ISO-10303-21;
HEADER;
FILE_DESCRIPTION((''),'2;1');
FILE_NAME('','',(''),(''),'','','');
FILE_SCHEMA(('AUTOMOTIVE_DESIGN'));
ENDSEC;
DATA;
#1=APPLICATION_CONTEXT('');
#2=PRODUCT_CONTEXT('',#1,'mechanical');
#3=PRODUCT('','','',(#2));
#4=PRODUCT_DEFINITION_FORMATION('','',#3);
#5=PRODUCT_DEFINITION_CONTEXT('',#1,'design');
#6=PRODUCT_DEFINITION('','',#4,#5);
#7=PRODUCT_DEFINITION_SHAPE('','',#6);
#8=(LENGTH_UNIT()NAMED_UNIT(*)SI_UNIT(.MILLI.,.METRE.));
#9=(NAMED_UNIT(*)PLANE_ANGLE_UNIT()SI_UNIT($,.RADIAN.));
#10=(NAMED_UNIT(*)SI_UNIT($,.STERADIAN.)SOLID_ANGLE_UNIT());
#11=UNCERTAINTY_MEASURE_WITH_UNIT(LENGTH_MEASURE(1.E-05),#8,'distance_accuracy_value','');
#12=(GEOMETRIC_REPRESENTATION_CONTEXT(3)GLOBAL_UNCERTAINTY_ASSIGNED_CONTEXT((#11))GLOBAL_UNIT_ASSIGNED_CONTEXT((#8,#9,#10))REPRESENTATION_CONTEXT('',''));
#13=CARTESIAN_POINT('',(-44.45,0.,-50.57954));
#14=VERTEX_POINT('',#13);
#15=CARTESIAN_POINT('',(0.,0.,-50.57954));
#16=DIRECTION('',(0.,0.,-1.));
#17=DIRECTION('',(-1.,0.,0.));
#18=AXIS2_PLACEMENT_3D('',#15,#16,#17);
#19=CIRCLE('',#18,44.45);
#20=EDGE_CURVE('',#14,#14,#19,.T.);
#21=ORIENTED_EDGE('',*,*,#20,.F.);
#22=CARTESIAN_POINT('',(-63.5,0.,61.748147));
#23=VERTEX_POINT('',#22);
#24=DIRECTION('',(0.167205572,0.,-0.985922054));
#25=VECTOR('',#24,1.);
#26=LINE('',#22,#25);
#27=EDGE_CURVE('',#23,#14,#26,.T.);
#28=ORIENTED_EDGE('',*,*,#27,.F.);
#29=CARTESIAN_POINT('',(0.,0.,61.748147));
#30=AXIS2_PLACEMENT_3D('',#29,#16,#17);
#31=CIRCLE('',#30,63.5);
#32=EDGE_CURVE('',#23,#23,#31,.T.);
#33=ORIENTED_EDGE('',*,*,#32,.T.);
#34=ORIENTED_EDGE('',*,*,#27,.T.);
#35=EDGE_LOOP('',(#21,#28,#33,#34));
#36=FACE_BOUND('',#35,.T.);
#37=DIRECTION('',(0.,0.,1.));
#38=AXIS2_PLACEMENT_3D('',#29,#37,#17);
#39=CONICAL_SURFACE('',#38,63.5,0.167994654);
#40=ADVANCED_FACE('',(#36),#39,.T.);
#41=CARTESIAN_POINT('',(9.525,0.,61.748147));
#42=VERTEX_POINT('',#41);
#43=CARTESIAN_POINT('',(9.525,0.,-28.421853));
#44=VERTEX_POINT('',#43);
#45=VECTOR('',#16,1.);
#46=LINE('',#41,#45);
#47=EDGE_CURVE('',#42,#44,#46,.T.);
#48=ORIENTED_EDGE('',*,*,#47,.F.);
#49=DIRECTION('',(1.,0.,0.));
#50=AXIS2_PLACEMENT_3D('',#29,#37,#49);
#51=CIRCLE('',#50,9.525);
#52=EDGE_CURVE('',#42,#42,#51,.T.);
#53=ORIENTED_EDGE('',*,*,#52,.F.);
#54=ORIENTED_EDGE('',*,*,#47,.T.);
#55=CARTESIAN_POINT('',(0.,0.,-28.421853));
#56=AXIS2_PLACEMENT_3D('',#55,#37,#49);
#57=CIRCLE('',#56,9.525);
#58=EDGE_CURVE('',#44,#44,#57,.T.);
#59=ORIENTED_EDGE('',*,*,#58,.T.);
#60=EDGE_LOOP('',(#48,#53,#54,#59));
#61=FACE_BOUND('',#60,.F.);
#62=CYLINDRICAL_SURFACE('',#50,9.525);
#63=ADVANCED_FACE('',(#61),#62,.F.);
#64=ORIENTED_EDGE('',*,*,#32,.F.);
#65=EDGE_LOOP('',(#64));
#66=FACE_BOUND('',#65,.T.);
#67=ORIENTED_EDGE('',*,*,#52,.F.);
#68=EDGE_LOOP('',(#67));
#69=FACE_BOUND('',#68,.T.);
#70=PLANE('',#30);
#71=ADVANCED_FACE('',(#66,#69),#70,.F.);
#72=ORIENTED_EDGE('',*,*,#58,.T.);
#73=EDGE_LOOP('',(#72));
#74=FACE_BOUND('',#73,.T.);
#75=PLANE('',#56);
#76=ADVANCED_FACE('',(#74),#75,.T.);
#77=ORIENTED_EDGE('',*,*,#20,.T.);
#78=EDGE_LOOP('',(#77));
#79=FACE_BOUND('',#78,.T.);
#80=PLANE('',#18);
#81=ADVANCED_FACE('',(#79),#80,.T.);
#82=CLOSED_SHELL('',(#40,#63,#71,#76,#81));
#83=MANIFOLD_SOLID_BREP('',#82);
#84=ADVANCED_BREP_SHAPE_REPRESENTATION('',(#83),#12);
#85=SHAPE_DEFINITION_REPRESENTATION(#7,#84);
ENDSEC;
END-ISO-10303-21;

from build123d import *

# Parameters (mm, degrees)
F2_R     = 9.525
F3_DEPTH = 90.17


with BuildPart() as f1:
    # F0 (on Front) → F1 (revolve)
    with BuildSketch(Plane.XZ):
        Polygon((0, -50.57954), (0, 61.748147), (-63.5, 61.748147), (-44.45, -50.57954), align=None)
    revolve(axis=Axis((0, 0, 5.584303), (0, 0, -1)))

    # F2 (on face) → F3 (cut)
    with BuildSketch(Plane.XY.offset(61.748147)):
        Circle(F2_R)
    extrude(amount=-F3_DEPTH, mode=Mode.SUBTRACT)


solid = f1.part
